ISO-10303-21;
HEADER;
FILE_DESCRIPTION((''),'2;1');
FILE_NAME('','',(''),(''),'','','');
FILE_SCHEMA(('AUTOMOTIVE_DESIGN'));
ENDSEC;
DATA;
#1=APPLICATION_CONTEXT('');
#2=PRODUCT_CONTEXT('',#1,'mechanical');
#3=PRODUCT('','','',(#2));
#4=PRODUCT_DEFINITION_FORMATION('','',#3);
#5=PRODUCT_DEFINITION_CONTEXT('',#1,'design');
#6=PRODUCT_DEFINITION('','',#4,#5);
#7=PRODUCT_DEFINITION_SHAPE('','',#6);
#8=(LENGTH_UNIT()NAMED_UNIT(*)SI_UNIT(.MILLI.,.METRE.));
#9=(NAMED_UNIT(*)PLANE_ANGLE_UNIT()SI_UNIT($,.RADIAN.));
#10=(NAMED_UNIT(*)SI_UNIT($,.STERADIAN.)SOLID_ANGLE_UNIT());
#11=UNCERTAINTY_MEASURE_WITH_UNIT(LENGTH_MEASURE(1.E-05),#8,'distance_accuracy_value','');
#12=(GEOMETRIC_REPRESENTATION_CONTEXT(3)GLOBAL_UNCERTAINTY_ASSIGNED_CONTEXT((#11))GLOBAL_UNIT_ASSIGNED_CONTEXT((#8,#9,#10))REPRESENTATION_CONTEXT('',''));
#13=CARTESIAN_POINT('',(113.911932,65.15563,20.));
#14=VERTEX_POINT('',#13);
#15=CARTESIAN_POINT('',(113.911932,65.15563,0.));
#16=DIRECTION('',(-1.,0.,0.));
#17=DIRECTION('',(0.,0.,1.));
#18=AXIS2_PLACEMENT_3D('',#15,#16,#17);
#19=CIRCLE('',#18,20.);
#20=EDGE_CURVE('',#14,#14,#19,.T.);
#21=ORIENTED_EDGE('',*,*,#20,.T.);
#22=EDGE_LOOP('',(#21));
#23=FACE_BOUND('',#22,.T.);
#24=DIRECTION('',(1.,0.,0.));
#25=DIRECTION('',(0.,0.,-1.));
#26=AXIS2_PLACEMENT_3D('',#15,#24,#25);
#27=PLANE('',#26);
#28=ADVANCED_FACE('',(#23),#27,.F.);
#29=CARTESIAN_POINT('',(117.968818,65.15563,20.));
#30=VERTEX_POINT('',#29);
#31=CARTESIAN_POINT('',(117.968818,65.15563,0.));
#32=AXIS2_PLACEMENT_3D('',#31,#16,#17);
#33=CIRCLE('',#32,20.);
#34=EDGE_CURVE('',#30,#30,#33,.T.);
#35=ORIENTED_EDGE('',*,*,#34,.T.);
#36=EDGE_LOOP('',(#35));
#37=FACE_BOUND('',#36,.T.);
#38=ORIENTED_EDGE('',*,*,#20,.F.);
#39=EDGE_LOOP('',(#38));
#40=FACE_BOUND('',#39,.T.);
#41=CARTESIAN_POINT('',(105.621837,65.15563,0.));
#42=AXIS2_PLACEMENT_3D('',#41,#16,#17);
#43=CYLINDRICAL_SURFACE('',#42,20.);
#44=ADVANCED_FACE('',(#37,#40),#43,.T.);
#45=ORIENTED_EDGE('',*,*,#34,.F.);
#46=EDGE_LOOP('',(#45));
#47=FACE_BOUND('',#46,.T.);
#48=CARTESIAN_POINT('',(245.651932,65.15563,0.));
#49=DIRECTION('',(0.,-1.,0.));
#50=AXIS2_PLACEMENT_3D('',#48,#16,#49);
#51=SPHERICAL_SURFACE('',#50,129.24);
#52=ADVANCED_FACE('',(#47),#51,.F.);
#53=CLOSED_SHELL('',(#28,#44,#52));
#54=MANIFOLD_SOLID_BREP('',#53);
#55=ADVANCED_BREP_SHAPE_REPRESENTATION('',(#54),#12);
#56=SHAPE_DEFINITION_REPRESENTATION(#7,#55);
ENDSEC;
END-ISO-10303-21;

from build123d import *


with BuildPart() as part:
    # 草图1 → 旋转1 (revolve)
    with BuildSketch(Plane.XY, mode=Mode.PRIVATE) as revolve_1_sk:
        with BuildLine():
            Line((113.911931674, 65.155630457), (113.911931674, 85.155630457))
            Line((113.911931674, 85.155630457), (117.968817677, 85.155630457))
            ThreePointArc((117.968817677, 85.155630457), (116.80174104, 75.18588337), (116.411931674, 65.155630457))
            Line((116.411931674, 65.155630457), (113.911931674, 65.155630457))
        make_face()
    revolve(revolve_1_sk.sketch.rotate(Axis((105.621837124, 65.155630457, 0), (1, 0, 0)), 180), axis=Axis((105.621837124, 65.155630457, 0), (1, 0, 0)))  # turned: the seam where the file's is


solid = part.part
